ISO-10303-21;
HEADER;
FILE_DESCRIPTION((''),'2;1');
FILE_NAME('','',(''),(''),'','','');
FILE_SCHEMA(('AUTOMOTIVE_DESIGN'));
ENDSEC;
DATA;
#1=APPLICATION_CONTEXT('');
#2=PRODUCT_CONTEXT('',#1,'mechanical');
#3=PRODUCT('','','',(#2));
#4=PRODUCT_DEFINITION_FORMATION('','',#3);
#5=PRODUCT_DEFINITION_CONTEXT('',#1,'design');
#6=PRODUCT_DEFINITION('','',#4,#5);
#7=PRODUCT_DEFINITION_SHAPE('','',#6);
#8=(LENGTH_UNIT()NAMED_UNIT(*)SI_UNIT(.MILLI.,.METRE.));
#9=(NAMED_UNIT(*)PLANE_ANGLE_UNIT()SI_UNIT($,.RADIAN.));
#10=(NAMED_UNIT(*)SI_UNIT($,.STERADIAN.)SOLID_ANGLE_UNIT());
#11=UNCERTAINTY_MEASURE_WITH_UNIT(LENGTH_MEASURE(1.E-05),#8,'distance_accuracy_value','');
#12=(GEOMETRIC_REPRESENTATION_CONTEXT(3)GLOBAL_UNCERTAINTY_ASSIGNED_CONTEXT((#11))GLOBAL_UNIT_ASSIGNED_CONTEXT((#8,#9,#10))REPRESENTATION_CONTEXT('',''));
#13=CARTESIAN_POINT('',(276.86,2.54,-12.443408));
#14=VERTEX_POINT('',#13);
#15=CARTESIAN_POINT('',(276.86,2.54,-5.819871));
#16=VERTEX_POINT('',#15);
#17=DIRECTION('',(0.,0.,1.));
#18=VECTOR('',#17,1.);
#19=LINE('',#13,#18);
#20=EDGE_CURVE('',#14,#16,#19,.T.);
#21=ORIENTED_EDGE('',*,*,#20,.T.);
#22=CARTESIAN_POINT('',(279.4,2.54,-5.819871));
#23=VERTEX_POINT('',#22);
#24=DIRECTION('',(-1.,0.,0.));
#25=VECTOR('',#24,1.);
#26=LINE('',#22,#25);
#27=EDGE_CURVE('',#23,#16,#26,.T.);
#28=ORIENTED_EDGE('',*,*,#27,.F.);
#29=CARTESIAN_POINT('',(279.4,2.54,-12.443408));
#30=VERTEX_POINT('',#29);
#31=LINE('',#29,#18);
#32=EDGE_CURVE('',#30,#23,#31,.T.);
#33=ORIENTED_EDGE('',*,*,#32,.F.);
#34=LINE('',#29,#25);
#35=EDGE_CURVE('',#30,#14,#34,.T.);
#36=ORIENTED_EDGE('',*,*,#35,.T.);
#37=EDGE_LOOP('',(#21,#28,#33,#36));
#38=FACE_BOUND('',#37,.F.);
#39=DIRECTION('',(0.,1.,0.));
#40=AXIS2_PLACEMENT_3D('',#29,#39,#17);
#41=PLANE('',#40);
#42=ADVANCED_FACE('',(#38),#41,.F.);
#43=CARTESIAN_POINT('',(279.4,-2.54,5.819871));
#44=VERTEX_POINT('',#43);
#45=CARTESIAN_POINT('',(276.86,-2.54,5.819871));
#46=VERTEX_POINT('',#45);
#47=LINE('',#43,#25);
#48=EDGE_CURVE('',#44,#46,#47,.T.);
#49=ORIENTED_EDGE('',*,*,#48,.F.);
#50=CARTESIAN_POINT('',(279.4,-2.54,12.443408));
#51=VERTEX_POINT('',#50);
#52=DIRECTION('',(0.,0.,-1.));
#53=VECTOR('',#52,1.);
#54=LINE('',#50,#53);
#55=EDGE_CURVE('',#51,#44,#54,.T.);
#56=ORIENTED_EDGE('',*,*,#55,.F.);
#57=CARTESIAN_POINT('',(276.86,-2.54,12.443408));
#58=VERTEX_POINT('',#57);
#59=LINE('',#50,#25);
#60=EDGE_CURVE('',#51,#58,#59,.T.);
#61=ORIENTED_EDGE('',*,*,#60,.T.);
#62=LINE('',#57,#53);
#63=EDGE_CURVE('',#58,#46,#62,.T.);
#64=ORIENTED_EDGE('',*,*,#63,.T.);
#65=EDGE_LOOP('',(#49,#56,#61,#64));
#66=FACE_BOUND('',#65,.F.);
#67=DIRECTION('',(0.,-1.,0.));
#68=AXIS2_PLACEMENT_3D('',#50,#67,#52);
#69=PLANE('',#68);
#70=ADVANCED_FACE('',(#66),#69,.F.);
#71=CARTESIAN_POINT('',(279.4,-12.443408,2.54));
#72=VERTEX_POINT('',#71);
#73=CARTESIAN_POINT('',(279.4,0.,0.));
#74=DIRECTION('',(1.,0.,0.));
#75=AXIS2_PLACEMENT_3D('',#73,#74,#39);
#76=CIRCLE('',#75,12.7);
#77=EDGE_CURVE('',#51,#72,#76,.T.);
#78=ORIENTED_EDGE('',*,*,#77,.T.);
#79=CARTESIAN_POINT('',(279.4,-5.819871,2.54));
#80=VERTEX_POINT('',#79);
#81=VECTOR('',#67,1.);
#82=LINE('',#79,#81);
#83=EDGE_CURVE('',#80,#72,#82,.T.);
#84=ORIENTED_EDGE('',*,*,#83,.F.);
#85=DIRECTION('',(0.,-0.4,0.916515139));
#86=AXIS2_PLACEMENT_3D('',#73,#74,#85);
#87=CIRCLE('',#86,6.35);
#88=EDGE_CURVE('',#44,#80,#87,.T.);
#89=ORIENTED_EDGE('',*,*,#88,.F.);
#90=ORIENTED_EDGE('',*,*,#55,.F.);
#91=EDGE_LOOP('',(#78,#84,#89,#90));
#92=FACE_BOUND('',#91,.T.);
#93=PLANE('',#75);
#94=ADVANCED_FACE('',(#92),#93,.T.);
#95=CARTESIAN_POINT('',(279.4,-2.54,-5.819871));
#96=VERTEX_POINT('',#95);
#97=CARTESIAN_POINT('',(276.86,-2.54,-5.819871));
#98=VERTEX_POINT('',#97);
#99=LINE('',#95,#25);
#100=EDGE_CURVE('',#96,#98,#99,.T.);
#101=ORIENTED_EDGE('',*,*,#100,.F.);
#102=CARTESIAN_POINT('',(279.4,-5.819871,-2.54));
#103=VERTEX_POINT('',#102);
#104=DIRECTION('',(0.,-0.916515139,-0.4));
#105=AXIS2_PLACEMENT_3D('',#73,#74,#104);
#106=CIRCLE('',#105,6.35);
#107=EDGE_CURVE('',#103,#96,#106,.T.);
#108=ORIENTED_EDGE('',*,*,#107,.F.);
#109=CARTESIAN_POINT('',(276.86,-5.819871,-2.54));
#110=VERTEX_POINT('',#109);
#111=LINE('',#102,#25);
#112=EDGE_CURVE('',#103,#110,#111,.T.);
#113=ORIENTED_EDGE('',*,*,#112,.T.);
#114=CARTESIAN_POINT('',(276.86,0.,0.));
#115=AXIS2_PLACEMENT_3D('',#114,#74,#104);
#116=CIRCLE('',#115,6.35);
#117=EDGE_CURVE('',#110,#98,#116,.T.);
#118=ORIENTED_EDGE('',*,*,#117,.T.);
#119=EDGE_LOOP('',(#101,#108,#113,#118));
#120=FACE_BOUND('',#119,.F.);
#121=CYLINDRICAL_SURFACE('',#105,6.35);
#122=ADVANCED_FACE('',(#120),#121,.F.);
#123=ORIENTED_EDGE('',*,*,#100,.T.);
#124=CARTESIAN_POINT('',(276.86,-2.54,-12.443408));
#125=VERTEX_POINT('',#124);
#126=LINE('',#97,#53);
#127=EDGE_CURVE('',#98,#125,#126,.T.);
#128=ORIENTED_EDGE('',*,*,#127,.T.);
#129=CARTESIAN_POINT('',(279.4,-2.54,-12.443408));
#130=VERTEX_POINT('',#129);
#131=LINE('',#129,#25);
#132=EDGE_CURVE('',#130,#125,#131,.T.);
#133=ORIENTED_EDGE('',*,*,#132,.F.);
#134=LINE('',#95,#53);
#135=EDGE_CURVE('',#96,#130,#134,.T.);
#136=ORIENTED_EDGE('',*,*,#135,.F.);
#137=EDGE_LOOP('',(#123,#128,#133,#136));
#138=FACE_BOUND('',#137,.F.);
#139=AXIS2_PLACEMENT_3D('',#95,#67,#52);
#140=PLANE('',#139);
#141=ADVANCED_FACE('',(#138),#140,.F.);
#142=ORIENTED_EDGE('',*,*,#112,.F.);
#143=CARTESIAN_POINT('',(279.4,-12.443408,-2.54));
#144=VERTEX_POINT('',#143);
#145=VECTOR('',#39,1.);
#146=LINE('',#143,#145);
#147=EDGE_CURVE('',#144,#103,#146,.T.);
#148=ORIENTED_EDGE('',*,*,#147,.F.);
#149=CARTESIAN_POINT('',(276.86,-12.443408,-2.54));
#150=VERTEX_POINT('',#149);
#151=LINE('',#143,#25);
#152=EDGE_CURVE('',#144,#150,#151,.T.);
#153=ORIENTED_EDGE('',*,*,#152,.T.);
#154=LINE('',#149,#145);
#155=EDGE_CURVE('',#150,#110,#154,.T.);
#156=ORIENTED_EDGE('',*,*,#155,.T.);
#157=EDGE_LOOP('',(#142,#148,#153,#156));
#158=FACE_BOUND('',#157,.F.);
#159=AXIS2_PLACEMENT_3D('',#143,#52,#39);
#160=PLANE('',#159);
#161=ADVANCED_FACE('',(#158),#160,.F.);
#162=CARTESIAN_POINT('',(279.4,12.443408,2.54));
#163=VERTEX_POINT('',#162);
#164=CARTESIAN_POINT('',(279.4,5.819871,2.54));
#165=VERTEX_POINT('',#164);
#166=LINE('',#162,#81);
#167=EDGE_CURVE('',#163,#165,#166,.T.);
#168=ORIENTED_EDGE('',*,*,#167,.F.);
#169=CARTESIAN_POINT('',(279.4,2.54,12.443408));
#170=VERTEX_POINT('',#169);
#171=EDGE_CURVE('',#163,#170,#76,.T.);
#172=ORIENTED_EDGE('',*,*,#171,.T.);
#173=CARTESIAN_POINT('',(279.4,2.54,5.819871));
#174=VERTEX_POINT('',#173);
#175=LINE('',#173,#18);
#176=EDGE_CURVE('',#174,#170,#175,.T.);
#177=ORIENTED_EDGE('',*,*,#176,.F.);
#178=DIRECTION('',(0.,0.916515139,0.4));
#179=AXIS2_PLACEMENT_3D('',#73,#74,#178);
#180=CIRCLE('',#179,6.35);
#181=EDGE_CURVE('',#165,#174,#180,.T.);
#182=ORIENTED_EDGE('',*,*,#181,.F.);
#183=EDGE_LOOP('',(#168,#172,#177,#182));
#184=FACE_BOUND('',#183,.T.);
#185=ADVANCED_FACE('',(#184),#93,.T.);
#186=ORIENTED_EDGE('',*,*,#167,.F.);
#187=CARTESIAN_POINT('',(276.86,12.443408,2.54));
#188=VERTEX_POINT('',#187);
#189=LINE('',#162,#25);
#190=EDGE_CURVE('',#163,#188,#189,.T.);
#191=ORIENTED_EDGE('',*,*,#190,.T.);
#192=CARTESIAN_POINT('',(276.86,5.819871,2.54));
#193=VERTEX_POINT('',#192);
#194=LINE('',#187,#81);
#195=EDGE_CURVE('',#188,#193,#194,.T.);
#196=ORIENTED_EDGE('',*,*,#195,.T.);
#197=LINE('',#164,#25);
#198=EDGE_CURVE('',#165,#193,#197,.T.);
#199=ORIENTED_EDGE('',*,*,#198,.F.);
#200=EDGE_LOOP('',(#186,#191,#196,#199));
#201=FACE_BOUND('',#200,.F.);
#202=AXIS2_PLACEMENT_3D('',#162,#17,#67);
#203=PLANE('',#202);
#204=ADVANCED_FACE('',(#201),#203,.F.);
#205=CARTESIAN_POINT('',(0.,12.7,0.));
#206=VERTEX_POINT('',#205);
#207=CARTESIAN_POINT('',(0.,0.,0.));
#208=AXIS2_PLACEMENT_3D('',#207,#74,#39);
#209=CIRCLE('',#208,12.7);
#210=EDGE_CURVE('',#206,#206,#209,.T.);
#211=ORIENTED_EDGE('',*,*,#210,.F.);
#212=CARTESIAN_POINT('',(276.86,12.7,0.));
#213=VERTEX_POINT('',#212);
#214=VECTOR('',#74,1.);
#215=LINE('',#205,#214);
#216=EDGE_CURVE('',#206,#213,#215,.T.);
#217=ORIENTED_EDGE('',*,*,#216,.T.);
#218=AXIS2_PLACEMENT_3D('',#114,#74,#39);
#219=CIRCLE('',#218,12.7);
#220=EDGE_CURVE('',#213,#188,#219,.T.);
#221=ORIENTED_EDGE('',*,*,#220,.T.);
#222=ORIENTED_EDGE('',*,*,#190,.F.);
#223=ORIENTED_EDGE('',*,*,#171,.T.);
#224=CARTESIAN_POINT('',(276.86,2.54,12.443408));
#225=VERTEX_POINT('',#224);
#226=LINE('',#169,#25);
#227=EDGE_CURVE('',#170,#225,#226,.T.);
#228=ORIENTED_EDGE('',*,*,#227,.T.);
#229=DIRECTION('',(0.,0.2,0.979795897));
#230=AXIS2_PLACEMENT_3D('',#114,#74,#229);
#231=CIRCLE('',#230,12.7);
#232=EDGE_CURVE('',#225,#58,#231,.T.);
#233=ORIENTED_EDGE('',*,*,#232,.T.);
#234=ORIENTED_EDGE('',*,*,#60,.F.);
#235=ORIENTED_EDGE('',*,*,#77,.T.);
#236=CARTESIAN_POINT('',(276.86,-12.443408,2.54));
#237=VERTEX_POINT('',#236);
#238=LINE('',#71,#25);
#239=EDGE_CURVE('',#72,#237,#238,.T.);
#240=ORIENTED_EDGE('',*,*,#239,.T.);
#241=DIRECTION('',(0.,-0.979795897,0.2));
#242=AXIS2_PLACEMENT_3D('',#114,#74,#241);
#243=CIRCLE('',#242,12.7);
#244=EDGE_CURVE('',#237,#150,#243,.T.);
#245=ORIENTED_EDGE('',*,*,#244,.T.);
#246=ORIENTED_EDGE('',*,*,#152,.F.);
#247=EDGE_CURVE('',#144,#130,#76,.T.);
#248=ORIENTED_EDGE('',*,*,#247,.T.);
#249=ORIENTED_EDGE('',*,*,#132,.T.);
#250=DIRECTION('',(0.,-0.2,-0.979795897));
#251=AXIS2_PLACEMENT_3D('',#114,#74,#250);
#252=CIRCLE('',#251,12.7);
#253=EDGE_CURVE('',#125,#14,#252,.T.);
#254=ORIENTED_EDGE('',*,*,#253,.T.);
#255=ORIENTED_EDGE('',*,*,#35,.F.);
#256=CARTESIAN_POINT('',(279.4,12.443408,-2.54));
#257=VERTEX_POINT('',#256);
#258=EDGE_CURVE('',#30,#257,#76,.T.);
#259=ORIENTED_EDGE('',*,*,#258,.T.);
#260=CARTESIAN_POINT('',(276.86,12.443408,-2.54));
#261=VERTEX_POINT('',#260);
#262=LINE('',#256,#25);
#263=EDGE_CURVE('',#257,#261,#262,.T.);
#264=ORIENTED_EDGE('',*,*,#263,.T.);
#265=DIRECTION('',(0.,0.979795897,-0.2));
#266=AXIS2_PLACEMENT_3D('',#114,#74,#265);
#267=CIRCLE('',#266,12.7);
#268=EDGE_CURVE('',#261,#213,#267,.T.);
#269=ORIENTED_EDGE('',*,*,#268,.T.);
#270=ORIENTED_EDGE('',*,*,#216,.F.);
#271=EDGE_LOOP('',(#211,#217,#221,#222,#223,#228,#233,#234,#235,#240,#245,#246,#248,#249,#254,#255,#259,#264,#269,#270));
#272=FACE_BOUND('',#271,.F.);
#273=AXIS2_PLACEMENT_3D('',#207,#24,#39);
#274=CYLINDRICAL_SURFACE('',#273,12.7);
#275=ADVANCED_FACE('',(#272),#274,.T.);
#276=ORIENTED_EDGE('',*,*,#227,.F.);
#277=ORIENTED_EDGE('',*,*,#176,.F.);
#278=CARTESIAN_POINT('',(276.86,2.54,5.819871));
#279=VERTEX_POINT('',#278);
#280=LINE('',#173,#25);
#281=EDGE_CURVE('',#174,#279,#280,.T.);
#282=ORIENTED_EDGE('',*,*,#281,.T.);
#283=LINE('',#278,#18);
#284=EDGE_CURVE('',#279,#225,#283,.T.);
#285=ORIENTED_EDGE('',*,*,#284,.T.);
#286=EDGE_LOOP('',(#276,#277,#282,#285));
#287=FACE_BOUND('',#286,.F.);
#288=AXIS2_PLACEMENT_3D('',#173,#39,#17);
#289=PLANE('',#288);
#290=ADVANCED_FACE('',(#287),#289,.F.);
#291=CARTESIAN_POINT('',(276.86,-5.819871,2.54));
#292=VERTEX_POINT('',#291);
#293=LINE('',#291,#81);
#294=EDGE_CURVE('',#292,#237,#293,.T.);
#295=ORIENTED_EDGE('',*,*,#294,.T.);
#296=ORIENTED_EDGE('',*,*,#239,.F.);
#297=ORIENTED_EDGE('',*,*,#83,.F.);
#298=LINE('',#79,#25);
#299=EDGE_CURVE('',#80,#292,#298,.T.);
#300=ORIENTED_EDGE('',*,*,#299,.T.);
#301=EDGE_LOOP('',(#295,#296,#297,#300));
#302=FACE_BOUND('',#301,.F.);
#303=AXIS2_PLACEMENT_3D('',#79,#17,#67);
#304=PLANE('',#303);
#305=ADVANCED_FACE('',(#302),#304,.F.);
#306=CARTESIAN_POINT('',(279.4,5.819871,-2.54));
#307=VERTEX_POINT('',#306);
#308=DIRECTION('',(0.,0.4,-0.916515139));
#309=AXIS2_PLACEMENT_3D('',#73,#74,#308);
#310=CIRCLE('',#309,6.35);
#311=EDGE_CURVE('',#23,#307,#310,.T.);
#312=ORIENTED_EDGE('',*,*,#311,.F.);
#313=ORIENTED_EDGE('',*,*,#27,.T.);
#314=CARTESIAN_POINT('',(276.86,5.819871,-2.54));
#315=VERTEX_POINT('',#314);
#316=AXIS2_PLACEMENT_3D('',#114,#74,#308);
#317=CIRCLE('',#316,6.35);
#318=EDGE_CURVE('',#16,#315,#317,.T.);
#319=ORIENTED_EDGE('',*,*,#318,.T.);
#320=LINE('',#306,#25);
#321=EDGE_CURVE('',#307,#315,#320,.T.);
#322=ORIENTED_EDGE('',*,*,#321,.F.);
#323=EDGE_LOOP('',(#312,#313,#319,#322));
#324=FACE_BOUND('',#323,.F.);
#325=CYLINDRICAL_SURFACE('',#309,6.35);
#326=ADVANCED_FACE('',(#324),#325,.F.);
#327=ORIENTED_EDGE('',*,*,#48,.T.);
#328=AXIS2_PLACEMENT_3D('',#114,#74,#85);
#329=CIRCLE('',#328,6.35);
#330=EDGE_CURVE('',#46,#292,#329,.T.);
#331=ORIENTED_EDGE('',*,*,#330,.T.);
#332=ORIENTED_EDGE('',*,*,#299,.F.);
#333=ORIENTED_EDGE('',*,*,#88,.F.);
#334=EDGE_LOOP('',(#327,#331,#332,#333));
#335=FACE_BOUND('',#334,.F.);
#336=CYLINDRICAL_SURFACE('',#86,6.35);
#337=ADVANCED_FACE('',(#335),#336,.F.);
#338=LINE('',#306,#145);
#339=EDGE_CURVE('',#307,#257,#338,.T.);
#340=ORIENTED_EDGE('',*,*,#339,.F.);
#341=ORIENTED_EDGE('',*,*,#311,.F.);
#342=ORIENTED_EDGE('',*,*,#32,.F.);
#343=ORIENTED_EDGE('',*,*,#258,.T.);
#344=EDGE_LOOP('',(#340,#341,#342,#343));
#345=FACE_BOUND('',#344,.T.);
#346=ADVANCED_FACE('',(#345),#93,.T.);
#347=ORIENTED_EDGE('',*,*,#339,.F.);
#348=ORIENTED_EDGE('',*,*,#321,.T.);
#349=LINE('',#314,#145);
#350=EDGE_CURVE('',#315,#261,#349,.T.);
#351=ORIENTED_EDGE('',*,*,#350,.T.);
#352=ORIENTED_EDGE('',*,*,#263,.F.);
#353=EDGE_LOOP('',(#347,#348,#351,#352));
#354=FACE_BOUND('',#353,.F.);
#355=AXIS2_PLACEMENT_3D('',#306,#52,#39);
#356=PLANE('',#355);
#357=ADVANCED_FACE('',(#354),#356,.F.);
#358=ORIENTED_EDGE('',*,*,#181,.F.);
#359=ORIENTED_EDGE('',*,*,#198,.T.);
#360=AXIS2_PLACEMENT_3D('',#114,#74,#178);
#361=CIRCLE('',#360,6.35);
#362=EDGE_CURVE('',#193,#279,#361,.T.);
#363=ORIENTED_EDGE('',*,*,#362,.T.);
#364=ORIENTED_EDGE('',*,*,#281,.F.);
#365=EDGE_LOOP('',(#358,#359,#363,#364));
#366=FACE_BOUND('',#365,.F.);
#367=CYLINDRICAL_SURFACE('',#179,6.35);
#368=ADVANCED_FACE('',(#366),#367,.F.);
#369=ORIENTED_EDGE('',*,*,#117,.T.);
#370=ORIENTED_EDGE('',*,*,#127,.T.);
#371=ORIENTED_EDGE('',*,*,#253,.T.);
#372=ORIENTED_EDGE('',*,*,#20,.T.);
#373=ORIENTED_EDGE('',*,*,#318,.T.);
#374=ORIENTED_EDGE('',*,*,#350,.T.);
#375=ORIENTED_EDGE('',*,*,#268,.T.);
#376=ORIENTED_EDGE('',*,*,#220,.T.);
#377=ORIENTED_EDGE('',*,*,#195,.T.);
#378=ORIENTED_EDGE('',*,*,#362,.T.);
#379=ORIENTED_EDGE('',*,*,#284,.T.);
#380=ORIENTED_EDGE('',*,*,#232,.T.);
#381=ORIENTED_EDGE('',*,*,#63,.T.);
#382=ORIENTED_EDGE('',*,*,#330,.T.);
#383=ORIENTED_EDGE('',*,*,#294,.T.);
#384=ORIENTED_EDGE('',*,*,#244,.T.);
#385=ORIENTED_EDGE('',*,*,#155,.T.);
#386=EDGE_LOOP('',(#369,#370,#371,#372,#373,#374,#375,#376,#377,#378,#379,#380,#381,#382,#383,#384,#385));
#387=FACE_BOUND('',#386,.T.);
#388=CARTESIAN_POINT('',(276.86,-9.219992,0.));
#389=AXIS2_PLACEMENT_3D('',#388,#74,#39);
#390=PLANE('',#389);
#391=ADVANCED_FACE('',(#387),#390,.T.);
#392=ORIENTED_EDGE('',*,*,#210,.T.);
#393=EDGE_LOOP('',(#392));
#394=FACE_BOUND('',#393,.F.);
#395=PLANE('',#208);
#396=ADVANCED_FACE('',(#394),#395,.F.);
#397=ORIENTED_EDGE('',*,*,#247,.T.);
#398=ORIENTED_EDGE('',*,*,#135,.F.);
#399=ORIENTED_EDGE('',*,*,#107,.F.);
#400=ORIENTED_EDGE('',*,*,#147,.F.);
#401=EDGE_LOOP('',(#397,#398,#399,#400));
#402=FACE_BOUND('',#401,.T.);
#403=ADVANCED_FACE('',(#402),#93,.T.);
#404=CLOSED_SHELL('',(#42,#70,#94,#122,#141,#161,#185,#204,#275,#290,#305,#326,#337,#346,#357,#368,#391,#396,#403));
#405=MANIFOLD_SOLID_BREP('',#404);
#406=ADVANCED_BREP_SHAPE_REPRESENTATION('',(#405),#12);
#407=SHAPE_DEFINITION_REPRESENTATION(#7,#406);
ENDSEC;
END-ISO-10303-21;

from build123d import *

# Parameters (mm, degrees)
F0_R     = 12.7
F1_DEPTH = 279.4
F3_DEPTH = 2.54


with BuildPart() as f1:
    # F0 (on Right) → F1 (new body)
    with BuildSketch(Plane.YZ):
        Circle(F0_R)
    extrude(amount=F1_DEPTH)

    # F2 (on face) → F3 (cut)
    with BuildSketch(Plane.YZ.offset(279.4)):
        with BuildLine():
            ThreePointArc((-5.8198711326, -2.54), (-6.35, 0), (-5.8198711326, 2.54))
            Line((-5.8198711326, 2.54), (-12.4434078933, 2.54))
            ThreePointArc((-12.4434078933, 2.54), (-12.7, 0), (-12.4434078933, -2.54))
            Line((-12.4434078933, -2.54), (-5.8198711326, -2.54))
        make_face()
        with BuildLine():
            ThreePointArc((-2.54, 5.8198711326), (0, 6.35), (2.54, 5.8198711326))
            Line((2.54, 5.8198711326), (2.54, 12.4434078933))
            ThreePointArc((2.54, 12.4434078933), (0, 12.7), (-2.54, 12.4434078933))
            Line((-2.54, 12.4434078933), (-2.54, 5.8198711326))
        make_face()
        with BuildLine():
            ThreePointArc((5.8198711326, 2.54), (6.2160550871, 1.2973662374), (6.35, 0))
            ThreePointArc((6.35, 0), (6.2160550871, -1.2973662374), (5.8198711326, -2.54))
            Line((5.8198711326, -2.54), (12.4434078933, -2.54))
            ThreePointArc((12.4434078933, -2.54), (12.6356891432, -1.2764638175), (12.7, 0))
            ThreePointArc((12.7, 0), (12.6356891432, 1.2764638175), (12.4434078933, 2.54))
            Line((12.4434078933, 2.54), (5.8198711326, 2.54))
        make_face()
        with BuildLine():
            Line((2.54, -12.4434078933), (2.54, -5.8198711326))
            ThreePointArc((2.54, -5.8198711326), (0, -6.35), (-2.54, -5.8198711326))
            Line((-2.54, -5.8198711326), (-2.54, -12.4434078933))
            ThreePointArc((-2.54, -12.4434078933), (0, -12.7), (2.54, -12.4434078933))
        make_face()
        with BuildLine():
            ThreePointArc((5.8198711326, -2.54), (6.2160550871, -1.2973662374), (6.35, 0))
            ThreePointArc((6.35, 0), (6.2160550871, 1.2973662374), (5.8198711326, 2.54))
            ThreePointArc((5.8198711326, 2.54), (4.4901280605, 4.4901280605), (2.54, 5.8198711326))
            ThreePointArc((2.54, 5.8198711326), (0, 6.35), (-2.54, 5.8198711326))
            ThreePointArc((-2.54, 5.8198711326), (-4.4901280605, 4.4901280605), (-5.8198711326, 2.54))
            ThreePointArc((-5.8198711326, 2.54), (-6.35, 0), (-5.8198711326, -2.54))
            ThreePointArc((-5.8198711326, -2.54), (-4.4901280605, -4.4901280605), (-2.54, -5.8198711326))
            ThreePointArc((-2.54, -5.8198711326), (0, -6.35), (2.54, -5.8198711326))
            ThreePointArc((2.54, -5.8198711326), (4.4901280605, -4.4901280605), (5.8198711326, -2.54))
        make_face()
    extrude(amount=-F3_DEPTH, mode=Mode.SUBTRACT)


solid = f1.part
